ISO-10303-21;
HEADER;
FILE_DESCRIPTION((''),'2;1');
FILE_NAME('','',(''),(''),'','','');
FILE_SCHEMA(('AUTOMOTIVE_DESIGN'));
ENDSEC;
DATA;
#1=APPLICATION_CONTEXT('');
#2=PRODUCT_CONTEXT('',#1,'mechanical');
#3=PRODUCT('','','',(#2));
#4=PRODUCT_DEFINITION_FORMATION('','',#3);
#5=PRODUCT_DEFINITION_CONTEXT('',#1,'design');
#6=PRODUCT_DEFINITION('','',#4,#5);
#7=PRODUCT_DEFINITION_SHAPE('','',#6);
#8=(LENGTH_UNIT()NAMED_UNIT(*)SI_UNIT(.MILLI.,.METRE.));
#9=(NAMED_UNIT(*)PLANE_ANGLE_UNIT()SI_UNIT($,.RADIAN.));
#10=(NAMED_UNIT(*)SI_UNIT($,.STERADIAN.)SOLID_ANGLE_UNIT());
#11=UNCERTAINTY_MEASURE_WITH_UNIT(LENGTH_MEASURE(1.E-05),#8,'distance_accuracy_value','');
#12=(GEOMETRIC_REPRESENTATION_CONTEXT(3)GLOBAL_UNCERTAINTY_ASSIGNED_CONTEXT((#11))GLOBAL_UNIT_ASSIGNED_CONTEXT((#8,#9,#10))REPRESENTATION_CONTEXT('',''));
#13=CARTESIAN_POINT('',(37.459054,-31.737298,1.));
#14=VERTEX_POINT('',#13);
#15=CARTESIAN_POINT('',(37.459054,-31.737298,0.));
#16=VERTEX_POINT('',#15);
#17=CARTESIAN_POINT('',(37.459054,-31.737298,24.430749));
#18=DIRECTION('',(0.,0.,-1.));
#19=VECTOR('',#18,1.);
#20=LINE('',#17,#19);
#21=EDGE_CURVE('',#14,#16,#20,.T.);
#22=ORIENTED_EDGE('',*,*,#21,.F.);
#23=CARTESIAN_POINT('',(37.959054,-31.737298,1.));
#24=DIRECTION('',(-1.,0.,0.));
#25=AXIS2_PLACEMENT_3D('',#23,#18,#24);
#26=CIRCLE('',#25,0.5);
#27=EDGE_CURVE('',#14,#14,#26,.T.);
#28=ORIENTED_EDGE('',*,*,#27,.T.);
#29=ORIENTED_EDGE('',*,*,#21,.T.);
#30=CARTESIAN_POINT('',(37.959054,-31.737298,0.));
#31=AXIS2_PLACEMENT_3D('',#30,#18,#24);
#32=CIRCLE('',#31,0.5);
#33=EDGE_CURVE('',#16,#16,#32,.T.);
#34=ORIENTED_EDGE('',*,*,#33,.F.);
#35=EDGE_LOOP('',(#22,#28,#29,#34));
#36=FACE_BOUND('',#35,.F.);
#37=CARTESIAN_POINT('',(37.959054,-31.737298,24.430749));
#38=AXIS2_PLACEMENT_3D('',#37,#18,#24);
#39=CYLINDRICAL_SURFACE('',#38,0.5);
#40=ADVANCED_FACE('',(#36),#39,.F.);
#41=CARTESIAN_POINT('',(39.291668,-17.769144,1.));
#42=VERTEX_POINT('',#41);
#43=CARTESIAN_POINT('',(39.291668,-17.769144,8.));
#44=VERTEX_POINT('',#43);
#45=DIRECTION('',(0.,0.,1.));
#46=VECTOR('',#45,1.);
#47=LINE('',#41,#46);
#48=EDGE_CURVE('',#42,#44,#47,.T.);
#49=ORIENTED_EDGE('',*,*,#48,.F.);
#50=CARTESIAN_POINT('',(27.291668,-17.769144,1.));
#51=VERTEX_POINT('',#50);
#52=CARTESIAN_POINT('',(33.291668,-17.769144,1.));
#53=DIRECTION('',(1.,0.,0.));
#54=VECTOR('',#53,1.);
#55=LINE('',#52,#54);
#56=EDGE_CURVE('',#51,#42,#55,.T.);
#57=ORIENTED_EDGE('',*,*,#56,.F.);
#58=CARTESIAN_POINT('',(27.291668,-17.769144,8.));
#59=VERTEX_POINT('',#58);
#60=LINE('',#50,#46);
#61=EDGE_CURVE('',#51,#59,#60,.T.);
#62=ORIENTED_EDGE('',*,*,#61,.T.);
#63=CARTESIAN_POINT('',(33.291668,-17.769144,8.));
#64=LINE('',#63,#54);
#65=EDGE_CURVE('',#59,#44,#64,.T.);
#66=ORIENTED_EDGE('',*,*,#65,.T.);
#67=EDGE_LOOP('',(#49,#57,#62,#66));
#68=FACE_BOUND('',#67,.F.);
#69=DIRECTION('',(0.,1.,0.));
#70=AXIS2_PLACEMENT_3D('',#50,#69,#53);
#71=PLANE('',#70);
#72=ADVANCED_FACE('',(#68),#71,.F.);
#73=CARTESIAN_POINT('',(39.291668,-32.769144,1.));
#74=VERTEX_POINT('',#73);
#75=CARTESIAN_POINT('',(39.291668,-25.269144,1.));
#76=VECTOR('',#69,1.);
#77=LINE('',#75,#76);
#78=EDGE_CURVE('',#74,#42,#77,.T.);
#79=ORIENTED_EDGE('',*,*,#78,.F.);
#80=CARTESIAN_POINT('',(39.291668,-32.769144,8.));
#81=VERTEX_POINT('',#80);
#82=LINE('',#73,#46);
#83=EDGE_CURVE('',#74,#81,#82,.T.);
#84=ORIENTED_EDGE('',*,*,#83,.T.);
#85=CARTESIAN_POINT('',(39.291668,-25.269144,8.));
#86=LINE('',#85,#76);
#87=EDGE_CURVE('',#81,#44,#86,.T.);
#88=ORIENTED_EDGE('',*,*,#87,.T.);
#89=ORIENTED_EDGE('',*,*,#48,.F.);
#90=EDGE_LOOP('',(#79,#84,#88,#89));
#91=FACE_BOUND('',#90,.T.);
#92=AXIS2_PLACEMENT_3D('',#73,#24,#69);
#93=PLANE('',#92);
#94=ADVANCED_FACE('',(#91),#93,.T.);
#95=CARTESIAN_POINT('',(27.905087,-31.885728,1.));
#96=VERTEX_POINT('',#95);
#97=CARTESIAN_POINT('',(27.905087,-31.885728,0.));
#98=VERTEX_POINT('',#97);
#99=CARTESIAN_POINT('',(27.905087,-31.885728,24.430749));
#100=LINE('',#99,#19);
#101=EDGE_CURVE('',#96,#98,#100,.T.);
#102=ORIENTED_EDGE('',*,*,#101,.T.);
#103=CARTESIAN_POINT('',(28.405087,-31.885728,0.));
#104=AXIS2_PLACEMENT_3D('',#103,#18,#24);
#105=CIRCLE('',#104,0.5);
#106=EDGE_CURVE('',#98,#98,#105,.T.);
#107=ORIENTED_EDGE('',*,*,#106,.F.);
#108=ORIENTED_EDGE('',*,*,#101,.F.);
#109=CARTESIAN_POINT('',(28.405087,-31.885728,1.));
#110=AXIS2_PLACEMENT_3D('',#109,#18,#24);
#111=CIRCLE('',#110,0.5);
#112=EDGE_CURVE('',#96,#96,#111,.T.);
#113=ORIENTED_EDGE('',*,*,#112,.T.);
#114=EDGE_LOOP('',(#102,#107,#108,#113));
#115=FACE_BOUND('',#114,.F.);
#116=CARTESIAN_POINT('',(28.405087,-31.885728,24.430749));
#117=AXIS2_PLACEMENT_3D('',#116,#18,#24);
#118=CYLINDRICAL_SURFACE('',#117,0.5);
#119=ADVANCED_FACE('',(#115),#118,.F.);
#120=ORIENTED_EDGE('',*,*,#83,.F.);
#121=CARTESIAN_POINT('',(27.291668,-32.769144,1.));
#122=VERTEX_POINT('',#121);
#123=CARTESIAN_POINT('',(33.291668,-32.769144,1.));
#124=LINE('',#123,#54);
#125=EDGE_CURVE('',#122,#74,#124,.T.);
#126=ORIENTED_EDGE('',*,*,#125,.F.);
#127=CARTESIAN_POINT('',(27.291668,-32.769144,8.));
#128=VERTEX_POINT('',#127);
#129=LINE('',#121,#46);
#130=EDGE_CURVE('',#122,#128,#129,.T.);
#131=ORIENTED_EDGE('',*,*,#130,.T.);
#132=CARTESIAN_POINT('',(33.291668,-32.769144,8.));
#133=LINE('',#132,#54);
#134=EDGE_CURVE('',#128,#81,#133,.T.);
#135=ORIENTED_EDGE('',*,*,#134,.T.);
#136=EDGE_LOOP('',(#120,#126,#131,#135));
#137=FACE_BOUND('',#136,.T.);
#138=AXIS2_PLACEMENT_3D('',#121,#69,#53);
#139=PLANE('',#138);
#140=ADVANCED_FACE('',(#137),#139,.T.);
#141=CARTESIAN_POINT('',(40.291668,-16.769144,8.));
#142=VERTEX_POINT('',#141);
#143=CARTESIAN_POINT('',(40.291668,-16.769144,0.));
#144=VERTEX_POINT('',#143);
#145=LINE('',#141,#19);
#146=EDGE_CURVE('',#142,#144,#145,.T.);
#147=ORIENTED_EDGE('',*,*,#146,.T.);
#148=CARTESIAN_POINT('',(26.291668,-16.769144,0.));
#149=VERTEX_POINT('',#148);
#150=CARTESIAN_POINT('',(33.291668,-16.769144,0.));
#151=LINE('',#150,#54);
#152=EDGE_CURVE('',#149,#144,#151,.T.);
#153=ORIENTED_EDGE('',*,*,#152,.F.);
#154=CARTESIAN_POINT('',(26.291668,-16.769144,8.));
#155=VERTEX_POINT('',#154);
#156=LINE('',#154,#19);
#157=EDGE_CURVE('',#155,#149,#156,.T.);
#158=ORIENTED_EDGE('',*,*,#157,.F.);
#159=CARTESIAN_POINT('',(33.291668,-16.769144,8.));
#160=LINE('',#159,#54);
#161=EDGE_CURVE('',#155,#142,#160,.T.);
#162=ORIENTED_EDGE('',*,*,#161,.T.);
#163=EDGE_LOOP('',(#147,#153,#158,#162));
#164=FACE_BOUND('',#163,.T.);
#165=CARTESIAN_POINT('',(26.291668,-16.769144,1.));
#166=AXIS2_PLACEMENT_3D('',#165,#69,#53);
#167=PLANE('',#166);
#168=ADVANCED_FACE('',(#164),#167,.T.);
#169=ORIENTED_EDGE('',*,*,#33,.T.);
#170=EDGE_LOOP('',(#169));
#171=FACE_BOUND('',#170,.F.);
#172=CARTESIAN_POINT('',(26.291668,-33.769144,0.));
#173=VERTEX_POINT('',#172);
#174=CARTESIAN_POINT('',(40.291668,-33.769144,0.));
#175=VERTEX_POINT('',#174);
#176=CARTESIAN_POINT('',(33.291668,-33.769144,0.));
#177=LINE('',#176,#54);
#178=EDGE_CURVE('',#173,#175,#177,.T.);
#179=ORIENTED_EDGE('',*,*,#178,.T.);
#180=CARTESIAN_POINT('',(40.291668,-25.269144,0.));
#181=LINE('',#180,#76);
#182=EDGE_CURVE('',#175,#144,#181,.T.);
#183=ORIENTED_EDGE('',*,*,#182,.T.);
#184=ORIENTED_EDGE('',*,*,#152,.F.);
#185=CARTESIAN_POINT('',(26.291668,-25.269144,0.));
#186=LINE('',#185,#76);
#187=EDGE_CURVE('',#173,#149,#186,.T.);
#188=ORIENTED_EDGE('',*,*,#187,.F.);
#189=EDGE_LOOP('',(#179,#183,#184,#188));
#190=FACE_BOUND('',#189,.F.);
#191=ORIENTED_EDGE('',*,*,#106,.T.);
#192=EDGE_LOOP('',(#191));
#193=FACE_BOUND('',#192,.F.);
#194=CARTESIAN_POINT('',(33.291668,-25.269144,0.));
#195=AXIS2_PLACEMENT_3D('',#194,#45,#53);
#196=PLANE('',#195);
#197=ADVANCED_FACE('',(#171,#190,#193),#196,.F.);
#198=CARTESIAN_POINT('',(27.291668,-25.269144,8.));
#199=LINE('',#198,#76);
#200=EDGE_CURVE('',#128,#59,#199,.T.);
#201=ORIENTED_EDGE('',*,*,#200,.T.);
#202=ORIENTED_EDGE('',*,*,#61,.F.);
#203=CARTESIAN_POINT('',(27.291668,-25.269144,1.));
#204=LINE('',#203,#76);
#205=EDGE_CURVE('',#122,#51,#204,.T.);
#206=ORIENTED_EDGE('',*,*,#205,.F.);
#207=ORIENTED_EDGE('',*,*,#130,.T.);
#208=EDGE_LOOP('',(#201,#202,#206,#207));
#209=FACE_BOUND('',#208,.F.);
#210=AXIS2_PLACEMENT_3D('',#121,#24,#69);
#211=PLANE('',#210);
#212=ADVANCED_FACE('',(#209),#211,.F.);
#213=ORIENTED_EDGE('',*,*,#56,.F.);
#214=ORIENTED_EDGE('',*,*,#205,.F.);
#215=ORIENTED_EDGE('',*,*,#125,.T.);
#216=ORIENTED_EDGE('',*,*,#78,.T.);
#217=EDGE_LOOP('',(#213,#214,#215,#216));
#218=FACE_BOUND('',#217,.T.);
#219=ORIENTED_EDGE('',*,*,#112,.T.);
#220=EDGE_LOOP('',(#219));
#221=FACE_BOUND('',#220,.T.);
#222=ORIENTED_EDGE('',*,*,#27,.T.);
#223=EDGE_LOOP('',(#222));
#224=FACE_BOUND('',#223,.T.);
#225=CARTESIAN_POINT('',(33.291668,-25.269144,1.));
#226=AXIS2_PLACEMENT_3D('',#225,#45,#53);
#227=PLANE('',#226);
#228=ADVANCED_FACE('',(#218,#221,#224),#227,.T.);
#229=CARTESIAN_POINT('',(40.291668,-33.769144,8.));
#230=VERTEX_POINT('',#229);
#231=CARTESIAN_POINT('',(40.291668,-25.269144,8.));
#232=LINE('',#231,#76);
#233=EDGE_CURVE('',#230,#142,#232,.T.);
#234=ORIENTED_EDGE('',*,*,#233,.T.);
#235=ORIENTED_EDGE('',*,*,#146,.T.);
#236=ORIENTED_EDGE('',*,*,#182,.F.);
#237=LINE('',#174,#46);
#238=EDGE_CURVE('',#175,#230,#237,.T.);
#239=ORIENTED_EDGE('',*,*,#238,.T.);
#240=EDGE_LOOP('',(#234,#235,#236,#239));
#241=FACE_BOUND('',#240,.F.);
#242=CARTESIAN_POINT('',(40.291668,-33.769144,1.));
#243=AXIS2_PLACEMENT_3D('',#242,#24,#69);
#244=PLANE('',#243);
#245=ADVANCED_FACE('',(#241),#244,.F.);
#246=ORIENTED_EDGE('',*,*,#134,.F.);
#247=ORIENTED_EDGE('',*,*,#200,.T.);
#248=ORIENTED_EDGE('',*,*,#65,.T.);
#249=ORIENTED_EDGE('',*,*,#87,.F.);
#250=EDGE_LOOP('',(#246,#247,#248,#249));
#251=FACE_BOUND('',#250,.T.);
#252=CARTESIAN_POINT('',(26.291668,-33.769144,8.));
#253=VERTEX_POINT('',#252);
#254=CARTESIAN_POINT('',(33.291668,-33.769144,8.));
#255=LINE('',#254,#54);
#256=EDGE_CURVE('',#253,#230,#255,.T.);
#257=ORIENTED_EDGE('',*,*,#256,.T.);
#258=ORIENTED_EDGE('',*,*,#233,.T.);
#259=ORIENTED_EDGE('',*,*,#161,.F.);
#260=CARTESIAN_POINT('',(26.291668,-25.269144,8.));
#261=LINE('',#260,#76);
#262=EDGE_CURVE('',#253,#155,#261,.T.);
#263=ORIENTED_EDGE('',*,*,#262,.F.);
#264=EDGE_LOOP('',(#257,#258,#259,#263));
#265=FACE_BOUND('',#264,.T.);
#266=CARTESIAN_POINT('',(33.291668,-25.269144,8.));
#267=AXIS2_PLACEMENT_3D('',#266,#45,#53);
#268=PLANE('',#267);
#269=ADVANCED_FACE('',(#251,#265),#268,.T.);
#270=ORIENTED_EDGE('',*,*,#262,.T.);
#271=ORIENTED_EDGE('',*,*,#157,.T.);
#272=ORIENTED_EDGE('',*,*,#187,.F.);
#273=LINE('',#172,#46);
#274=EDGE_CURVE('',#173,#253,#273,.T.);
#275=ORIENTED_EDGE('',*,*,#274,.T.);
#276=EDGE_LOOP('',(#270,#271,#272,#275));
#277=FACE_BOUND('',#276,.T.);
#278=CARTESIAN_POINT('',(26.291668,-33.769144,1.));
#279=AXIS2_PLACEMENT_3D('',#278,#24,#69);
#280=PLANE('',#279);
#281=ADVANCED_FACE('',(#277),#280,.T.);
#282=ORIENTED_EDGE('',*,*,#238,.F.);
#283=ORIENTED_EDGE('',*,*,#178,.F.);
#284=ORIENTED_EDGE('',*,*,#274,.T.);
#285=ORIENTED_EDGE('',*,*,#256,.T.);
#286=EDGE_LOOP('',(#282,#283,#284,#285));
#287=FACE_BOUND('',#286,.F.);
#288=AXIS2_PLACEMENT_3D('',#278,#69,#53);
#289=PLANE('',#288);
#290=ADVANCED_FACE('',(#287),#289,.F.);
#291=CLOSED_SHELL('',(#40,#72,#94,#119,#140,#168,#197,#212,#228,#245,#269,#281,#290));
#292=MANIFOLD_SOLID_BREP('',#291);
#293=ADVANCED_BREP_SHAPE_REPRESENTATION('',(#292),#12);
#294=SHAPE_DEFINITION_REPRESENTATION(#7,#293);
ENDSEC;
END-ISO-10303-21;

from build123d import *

# Parameters (mm, degrees)
F0_W     = 14
F0_H     = 17
F1_DEPTH = 1
F2_W     = 14
F2_H     = 17
F2_W_2   = 12
F2_H_2   = 15
F3_DEPTH = 7
F5_D     = 1


with BuildPart() as f1:
    # F0 (on Top) → F1 (new body)
    with BuildSketch(Plane.XY):
        with Locations((33.291668, -25.269144)):
            Rectangle(F0_W, F0_H)
    extrude(amount=F1_DEPTH)

    # F2 (on face) → F3 (join)
    with BuildSketch(Plane.XY.offset(1)):
        with Locations((33.291668, -25.269144)):
            Rectangle(F2_W, F2_H)
        with Locations((33.291668, -25.269144)):
            Rectangle(F2_W_2, F2_H_2, mode=Mode.SUBTRACT)
    extrude(amount=F3_DEPTH)

    # F5 (through all)
    with Locations(Plane.XY.offset(1)):
        with Locations((28.405087, -31.885728), (37.959054, -31.737298)):
            Hole(F5_D / 2)


solid = f1.part
